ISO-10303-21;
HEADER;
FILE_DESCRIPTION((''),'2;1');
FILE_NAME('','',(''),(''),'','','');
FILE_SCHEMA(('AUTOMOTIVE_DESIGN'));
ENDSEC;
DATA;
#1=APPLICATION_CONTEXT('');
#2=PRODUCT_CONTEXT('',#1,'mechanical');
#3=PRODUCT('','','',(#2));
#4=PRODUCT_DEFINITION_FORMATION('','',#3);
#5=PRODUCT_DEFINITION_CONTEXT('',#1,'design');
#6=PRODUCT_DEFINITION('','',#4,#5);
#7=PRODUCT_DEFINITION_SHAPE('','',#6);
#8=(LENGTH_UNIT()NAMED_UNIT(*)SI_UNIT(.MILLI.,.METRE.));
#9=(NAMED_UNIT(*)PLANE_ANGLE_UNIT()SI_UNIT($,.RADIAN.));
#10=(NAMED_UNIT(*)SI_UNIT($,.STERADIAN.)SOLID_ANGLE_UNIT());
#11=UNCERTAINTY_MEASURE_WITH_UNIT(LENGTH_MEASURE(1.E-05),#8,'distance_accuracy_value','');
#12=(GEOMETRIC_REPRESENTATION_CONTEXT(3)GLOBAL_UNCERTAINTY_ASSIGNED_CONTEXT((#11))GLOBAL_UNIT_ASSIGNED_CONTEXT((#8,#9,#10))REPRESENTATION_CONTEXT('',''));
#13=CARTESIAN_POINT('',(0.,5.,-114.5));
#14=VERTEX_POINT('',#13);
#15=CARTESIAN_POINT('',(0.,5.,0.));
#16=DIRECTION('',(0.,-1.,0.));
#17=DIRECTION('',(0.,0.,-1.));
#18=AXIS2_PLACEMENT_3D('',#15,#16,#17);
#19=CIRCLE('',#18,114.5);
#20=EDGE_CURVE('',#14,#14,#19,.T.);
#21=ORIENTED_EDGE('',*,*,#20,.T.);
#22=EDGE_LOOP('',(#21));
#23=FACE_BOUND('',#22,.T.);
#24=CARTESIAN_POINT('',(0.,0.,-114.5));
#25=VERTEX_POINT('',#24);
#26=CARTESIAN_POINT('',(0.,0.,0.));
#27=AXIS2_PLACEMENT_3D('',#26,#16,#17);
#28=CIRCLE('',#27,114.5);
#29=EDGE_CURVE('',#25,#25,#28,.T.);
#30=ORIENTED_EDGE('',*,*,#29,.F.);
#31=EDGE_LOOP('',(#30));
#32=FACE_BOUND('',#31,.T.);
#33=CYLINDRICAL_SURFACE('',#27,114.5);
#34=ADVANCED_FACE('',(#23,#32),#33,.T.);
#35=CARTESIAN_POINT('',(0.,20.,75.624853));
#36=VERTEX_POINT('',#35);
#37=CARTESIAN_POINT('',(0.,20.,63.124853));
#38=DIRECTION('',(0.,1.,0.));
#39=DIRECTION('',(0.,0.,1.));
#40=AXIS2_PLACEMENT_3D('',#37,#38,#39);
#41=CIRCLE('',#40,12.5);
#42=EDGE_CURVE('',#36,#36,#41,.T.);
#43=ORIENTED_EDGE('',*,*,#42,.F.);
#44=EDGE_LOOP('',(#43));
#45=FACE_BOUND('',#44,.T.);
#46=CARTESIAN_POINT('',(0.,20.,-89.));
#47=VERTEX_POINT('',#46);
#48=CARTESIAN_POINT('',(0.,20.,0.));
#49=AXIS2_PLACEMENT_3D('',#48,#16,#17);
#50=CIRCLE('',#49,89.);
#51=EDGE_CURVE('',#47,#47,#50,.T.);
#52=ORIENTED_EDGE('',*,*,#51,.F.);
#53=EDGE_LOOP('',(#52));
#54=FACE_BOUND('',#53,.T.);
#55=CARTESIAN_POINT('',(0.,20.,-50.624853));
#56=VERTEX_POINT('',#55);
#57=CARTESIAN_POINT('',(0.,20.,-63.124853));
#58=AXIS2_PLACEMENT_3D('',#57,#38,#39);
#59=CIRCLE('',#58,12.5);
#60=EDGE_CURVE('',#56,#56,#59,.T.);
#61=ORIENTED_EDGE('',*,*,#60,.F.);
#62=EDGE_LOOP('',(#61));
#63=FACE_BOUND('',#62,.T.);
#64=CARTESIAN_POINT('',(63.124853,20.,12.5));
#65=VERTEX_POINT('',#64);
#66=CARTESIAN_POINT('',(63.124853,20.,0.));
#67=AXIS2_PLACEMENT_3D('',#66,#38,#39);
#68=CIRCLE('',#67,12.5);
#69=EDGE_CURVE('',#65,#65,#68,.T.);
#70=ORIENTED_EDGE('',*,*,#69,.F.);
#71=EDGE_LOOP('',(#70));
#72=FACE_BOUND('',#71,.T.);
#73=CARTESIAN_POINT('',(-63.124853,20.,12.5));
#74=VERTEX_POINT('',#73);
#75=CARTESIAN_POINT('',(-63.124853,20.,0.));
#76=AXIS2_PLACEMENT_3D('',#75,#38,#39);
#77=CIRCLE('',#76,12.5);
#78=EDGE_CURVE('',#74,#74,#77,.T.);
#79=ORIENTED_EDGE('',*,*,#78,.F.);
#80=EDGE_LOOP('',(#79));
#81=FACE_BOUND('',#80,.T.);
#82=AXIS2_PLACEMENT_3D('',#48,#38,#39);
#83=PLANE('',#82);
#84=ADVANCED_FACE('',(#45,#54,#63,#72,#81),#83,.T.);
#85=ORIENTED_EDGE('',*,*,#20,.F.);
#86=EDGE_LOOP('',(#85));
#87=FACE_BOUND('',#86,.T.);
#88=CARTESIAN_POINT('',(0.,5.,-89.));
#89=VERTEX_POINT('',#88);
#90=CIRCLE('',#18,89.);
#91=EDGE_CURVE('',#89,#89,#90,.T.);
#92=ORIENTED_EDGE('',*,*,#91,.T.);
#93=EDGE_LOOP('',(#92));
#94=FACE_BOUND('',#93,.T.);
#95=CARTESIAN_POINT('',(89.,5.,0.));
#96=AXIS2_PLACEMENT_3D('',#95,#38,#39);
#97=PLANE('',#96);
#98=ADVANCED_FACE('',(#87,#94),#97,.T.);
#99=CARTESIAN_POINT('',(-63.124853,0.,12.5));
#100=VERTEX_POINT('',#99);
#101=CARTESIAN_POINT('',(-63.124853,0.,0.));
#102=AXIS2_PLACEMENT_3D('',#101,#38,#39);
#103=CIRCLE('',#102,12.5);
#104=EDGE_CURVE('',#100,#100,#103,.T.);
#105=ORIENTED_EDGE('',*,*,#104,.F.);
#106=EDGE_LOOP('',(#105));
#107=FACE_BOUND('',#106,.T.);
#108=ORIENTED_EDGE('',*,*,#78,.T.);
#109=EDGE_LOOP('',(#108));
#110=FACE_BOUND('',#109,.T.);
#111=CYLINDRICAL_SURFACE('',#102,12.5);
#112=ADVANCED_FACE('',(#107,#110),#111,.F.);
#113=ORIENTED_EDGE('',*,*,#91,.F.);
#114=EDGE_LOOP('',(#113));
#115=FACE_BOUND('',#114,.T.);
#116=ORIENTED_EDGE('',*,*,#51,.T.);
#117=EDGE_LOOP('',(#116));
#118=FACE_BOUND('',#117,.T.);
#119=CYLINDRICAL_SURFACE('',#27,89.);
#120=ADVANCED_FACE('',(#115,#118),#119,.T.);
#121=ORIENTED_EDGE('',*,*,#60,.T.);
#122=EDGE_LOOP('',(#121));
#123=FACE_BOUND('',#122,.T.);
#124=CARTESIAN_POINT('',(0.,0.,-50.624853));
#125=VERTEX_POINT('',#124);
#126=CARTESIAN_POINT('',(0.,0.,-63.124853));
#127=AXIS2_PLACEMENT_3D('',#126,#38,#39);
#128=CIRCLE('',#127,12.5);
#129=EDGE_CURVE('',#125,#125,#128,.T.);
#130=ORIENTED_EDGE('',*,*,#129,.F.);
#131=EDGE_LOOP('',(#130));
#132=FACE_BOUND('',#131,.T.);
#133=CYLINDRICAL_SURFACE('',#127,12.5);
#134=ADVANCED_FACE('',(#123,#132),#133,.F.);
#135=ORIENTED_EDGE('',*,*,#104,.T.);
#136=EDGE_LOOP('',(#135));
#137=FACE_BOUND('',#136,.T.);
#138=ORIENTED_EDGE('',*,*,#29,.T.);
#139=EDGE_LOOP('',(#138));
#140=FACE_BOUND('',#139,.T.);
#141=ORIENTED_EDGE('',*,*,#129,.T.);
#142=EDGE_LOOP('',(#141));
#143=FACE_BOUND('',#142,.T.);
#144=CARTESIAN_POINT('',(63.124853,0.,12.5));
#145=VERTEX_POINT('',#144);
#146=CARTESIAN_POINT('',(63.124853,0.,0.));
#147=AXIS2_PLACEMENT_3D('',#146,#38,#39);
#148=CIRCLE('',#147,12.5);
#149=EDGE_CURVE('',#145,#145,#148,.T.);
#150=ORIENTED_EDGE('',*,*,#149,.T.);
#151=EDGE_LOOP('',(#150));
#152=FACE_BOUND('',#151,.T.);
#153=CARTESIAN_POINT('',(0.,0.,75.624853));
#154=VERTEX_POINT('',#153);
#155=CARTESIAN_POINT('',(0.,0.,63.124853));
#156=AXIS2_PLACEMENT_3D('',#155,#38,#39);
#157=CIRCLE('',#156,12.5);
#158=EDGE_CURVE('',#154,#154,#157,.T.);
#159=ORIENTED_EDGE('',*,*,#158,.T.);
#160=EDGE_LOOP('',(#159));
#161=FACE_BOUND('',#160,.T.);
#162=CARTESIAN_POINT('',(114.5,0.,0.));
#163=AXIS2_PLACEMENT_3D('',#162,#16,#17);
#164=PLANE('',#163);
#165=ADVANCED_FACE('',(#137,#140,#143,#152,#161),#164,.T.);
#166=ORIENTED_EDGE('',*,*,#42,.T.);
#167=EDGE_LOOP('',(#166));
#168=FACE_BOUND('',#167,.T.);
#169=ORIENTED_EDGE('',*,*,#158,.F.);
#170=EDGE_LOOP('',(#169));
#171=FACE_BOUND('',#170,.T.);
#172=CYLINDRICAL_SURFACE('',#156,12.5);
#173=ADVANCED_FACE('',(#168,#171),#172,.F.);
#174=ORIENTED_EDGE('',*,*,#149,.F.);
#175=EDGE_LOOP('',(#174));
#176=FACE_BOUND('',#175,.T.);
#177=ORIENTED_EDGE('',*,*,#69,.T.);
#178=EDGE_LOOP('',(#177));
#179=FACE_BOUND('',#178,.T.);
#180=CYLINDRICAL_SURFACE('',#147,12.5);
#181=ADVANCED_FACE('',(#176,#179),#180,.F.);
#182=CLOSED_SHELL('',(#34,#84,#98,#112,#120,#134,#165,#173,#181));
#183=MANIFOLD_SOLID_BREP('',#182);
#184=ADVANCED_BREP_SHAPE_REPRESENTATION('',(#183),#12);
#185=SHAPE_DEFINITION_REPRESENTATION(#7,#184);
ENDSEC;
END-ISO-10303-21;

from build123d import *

# Parameters (mm, degrees)
SKETCH_3_R          = 12.5
CUT_EXTRUDE_1_DEPTH = 164.157898981


with BuildPart() as part:
    # 草圖2 → 旋轉1 (revolve)
    with BuildSketch(Plane.XY, mode=Mode.PRIVATE) as revolve_1_sk:
        Polygon((0, 0), (0, 20), (89, 20), (89, 5), (114.5, 5), (114.5, 0), align=None)
    revolve(revolve_1_sk.sketch.rotate(Axis((0, 0, 0), (0, 1, 0)), 90), axis=Axis((0, 0, 0), (0, 1, 0)))

    # 草圖3 → 除料-伸長1 (cut, through all)
    with BuildSketch(Plane(origin=(0, 20, 0), x_dir=(1, 0, 0), z_dir=(0, 1, 0))):
        with Locations(Location((0, 63.124852982, 0), (0, 0, 270))):
            Circle(SKETCH_3_R)
        with Locations(Location((63.124852982, 0, 0), (0, 0, 270))):
            Circle(SKETCH_3_R)
        with Locations(Location((0, -63.124852982, 0), (0, 0, 270))):
            Circle(SKETCH_3_R)
        with Locations(Location((-63.124852982, 0, 0), (0, 0, 270))):
            Circle(SKETCH_3_R)
    extrude(amount=-CUT_EXTRUDE_1_DEPTH, mode=Mode.SUBTRACT)


solid = part.part
